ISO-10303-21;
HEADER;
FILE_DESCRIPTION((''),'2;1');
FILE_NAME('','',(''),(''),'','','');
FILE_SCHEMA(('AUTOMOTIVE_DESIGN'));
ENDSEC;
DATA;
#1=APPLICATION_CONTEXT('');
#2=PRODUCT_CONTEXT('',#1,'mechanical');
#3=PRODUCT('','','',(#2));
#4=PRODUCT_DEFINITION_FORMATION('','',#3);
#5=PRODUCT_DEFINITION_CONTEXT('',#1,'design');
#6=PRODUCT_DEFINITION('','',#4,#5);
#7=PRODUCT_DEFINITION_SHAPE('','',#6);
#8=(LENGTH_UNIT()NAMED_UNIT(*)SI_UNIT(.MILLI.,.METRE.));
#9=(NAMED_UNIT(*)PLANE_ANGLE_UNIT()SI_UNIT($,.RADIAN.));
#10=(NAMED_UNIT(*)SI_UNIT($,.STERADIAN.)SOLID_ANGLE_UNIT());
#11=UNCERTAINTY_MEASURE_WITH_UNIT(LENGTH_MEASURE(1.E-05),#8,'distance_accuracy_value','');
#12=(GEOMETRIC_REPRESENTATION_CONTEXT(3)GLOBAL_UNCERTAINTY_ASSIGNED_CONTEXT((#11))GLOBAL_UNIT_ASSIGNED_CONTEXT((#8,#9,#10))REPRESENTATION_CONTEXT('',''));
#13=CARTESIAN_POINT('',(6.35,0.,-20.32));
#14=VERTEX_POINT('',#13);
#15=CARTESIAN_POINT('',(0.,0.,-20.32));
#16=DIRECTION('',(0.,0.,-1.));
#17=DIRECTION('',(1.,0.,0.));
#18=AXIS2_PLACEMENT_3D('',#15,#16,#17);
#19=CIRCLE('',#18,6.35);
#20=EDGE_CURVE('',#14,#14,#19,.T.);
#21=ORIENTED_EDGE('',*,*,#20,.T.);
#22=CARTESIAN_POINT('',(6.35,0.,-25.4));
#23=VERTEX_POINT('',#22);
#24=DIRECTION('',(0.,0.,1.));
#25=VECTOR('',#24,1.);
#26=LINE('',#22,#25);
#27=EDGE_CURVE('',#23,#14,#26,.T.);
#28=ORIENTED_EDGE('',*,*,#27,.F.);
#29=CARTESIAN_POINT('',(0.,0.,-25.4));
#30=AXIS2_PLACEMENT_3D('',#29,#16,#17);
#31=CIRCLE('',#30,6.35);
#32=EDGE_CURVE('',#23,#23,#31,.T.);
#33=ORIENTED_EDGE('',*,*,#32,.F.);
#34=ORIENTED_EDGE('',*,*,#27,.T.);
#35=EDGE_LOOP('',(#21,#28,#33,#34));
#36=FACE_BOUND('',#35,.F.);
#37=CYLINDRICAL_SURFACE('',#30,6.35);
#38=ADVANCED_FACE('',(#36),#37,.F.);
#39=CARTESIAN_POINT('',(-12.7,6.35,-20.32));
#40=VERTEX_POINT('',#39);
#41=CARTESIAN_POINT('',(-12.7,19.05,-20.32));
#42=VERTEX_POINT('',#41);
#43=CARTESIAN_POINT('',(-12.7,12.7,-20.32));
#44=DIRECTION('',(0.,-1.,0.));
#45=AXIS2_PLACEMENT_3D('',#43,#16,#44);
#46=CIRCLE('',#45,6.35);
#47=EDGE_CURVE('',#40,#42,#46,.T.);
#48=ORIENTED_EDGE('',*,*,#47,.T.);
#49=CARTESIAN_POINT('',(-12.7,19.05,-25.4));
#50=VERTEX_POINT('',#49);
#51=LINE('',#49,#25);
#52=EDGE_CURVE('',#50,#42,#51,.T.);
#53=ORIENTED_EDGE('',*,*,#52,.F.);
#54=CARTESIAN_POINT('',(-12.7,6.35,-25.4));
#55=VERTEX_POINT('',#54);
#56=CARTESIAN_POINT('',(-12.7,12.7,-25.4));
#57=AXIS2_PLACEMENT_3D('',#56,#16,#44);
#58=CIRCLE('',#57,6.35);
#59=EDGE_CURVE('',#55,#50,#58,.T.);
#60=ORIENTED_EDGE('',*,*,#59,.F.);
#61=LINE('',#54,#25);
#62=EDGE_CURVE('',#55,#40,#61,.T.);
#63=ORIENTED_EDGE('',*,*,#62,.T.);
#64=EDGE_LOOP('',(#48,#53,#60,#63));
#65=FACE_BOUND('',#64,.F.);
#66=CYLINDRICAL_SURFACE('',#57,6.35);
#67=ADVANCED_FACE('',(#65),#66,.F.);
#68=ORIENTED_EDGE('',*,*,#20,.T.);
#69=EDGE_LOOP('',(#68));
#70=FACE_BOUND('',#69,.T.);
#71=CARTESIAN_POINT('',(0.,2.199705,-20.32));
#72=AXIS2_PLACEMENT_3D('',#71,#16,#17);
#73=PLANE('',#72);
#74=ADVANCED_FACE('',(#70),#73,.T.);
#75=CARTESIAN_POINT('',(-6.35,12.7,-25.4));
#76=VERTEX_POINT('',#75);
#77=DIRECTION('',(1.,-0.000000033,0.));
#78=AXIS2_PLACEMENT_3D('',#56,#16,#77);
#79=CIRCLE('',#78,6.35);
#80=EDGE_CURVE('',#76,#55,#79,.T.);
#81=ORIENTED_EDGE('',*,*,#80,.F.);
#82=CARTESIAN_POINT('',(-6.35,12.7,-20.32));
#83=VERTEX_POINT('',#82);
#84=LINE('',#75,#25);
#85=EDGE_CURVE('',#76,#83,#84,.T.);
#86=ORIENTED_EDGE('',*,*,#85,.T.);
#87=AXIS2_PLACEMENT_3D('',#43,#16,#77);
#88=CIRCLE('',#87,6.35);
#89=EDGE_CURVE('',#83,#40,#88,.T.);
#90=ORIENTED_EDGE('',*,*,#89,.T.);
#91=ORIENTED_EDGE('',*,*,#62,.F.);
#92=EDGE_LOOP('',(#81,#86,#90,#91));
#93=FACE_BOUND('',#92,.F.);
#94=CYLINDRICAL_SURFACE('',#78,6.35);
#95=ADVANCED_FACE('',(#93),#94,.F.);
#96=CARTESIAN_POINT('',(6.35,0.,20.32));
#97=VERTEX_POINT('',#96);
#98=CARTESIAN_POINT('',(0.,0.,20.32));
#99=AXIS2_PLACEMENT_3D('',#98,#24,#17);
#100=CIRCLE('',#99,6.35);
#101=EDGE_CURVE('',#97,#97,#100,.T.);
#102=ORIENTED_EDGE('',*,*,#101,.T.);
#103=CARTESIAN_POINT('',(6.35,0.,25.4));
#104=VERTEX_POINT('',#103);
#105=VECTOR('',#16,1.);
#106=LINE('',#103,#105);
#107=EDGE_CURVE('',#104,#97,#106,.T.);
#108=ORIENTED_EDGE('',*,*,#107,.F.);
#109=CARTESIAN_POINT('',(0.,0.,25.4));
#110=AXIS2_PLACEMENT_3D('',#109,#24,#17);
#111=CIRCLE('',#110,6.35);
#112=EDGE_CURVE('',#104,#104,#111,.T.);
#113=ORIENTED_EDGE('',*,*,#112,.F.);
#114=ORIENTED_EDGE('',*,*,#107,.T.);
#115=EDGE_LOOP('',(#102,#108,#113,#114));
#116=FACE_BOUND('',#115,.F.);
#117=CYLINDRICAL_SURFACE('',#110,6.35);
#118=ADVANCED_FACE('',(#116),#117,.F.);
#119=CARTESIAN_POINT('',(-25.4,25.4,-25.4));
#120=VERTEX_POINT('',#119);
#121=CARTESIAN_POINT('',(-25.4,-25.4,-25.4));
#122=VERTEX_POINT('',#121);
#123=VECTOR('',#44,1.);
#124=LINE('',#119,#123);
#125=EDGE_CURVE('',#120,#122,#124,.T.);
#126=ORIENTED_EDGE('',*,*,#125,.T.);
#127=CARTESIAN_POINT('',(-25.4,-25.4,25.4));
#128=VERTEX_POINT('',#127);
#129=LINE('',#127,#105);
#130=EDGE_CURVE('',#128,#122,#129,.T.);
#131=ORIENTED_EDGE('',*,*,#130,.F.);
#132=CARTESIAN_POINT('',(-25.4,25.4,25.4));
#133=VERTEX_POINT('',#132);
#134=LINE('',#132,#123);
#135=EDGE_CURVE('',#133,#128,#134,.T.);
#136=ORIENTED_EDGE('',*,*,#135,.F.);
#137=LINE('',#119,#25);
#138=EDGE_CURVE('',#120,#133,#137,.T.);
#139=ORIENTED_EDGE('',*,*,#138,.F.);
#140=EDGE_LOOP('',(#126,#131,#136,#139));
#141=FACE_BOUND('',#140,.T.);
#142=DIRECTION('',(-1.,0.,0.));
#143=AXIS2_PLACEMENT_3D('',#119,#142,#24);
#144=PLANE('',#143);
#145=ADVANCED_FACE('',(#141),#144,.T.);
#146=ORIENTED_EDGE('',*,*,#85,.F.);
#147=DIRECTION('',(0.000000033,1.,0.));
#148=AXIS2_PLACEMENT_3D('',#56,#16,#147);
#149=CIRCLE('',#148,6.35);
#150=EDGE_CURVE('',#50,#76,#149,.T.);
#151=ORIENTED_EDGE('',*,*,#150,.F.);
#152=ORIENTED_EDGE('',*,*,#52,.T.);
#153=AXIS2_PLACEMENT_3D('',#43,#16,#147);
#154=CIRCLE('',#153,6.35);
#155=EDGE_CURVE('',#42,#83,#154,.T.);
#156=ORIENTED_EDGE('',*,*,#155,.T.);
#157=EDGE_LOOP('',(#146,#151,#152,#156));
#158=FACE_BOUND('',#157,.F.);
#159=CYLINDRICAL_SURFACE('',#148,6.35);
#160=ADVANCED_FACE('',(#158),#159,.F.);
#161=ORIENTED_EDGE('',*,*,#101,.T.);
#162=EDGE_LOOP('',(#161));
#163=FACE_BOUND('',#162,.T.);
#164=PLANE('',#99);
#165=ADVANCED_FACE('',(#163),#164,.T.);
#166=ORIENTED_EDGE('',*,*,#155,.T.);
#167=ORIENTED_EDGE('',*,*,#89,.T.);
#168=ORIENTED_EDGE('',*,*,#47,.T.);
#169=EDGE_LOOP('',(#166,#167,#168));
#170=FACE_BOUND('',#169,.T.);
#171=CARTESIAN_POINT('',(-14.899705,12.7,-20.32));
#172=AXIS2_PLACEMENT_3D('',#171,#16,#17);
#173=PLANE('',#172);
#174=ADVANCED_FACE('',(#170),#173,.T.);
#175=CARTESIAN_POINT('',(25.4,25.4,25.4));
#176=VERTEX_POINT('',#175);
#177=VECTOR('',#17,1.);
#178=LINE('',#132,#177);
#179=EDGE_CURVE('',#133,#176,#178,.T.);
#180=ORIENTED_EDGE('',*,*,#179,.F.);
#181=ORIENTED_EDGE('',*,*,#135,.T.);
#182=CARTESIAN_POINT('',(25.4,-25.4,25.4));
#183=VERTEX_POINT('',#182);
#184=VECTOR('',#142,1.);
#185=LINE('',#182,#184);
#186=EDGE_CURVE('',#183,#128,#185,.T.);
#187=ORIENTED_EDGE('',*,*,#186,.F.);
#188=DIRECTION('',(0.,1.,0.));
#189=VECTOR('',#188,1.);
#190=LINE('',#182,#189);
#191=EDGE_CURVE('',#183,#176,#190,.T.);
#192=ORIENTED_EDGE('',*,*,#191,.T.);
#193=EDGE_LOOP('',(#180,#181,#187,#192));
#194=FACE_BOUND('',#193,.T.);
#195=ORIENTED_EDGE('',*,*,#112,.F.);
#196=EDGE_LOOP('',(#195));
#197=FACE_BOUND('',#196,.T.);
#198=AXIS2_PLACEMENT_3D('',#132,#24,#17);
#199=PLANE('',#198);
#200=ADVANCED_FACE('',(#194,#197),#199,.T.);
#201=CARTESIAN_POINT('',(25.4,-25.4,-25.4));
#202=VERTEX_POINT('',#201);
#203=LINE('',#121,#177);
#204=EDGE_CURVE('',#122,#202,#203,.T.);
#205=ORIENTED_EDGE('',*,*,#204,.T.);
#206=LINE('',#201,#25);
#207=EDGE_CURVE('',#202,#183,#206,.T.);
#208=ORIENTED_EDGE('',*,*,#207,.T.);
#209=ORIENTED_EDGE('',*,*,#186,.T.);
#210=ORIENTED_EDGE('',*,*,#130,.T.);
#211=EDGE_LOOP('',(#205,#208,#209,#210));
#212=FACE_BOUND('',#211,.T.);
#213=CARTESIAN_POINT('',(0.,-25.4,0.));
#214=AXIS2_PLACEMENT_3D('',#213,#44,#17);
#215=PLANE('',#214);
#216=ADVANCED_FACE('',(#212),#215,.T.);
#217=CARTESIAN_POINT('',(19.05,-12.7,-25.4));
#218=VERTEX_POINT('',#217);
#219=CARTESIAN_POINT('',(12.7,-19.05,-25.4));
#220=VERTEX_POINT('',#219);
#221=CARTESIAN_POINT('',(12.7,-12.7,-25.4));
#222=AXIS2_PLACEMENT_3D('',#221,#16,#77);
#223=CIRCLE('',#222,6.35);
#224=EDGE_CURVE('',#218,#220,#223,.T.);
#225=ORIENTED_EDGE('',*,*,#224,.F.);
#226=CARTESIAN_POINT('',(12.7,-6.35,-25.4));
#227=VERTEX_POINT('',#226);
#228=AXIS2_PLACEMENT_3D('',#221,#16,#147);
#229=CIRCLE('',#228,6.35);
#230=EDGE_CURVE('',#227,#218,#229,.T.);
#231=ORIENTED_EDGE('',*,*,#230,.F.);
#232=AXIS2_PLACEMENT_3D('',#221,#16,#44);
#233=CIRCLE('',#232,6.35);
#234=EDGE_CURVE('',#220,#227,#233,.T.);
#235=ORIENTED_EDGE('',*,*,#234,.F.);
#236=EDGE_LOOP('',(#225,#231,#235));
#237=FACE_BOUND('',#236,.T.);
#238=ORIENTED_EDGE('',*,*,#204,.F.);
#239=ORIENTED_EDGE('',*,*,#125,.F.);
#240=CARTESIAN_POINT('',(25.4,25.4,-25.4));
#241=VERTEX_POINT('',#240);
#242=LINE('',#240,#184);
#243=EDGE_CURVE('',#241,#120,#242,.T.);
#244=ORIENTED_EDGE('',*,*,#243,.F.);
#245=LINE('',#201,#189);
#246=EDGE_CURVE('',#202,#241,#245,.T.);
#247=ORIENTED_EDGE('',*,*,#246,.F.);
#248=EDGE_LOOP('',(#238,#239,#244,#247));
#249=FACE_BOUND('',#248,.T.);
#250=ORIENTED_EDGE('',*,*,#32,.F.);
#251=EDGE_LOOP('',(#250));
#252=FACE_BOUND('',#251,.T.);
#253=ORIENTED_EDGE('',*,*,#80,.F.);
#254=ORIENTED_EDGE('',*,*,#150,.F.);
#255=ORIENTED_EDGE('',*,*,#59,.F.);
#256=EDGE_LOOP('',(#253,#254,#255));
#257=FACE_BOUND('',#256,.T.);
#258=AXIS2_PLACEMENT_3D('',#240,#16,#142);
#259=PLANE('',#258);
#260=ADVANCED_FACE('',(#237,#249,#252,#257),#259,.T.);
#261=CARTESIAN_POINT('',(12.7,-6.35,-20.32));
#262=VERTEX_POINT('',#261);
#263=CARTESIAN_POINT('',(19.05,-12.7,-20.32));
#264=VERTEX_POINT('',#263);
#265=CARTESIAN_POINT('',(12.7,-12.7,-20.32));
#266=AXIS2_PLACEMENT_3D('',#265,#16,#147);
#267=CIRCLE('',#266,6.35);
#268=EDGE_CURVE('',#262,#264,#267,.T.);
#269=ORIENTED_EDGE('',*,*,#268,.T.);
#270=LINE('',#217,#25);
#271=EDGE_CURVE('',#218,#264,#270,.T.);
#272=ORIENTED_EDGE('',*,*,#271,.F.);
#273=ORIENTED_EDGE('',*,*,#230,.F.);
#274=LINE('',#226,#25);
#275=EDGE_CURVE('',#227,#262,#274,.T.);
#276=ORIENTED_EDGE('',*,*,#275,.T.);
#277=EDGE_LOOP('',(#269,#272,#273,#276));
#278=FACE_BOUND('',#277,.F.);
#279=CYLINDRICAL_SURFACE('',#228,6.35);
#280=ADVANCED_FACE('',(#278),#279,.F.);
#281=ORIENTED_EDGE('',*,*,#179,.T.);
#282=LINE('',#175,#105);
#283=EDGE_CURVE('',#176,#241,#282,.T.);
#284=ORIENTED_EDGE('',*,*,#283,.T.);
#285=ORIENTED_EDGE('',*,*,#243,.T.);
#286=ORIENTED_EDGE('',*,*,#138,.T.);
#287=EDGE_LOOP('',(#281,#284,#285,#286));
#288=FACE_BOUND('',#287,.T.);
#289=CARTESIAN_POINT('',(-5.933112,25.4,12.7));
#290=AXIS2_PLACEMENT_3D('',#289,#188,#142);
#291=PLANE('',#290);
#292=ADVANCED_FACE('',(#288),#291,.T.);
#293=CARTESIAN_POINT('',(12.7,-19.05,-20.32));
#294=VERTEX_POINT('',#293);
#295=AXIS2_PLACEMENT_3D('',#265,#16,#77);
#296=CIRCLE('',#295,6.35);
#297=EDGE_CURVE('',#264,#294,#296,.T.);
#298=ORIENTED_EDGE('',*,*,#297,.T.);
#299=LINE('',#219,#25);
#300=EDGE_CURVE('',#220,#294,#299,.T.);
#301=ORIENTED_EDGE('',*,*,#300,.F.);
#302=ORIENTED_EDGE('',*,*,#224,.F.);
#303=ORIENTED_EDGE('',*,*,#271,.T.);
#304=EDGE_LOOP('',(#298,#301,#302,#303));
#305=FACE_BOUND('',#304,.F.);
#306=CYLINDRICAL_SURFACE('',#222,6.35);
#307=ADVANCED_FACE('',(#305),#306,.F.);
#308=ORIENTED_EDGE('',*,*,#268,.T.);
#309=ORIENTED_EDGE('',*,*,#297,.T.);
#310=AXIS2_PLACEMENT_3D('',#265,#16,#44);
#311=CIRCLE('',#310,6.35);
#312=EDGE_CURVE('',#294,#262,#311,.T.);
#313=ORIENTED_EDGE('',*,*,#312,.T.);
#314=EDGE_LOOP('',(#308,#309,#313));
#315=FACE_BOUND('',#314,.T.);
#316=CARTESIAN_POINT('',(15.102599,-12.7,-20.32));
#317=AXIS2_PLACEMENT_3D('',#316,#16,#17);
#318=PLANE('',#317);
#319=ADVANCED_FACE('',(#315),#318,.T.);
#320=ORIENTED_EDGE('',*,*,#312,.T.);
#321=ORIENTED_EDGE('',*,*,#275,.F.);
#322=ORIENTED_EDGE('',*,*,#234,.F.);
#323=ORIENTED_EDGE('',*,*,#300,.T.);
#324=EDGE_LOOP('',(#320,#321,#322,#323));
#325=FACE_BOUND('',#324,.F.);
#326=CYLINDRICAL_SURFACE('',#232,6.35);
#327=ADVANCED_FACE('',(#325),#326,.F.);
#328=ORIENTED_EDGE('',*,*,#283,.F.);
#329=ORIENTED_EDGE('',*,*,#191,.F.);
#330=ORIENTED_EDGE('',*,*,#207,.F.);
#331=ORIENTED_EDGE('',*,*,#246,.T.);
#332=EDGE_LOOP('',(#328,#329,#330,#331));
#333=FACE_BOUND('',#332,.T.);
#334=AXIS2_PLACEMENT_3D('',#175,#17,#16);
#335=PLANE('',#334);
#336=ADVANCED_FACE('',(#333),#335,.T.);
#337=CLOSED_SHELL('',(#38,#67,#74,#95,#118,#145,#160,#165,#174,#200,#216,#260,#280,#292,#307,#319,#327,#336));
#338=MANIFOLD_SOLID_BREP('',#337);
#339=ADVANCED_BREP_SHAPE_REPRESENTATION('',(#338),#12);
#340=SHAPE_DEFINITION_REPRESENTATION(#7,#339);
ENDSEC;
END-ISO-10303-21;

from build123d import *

# Parameters (mm, degrees)
F1_DEPTH  = 25.4
F1_FACE_W = 50.8
F1_FACE_H = 50.8
F2_DEPTH  = 25.4
F3_R      = 6.35
F4_DEPTH  = 5.08
F6_DEPTH  = 5.08
F8_DEPTH  = 5.08
F9_DEPTH  = 6.35


with BuildPart() as f1:
    # F0 (on Front) → F1 (new body)
    with BuildSketch(Plane.XZ):
        Polygon((-25.4, 25.4), (-25.4, 0), (-25.4, -25.4), (25.4, -25.4), (25.4, 25.4), align=None)
    extrude(amount=F1_DEPTH)

    # F1_face (on face) → F2 (join)
    with BuildSketch(Plane(origin=(0, 0, 0), x_dir=(1, 0, 0), z_dir=(0, 1, 0))):
        Rectangle(F1_FACE_W, F1_FACE_H)
    extrude(amount=F2_DEPTH)

    # F3 (on face) → F4 (cut)
    with BuildSketch(Plane.XY.offset(25.4)):
        Circle(F3_R)
    extrude(amount=-F4_DEPTH, mode=Mode.SUBTRACT)

    # F5 (on face) → F6 (cut)
    with BuildSketch(Plane(origin=(0, 25.4, 0), x_dir=(-1, 0, 0), z_dir=(0, 1, 0))):
        with BuildLine():
            Line((-12.7, 0), (0, 0))
            Line((0, 0), (12.7, 0))
            Line((12.7, 0), (25.4, 0))
            Line((25.4, 0), (25.4, 25.4))
            Line((25.4, 25.4), (-12.7, 25.4))
            Line((-12.7, 25.4), (-12.7, 19.05))
            ThreePointArc((-12.7, 19.05), (-8.209872, 17.190128), (-6.35, 12.7))
            ThreePointArc((-6.35, 12.7), (-8.209872, 8.209872), (-12.7, 6.35))
            Line((-12.7, 6.35), (-12.7, 0))
        make_face()
        with BuildLine():
            Line((-25.4, 0), (-12.7, 0))
            Line((-12.7, 0), (-12.7, 6.35))
            ThreePointArc((-12.7, 6.35), (-19.05, 12.7), (-12.7, 19.05))
            Line((-12.7, 19.05), (-12.7, 25.4))
            Line((-12.7, 25.4), (-25.4, 25.4))
            Line((-25.4, 25.4), (-25.4, 0))
        make_face()
        with BuildLine():
            Line((25.4, 0), (12.7, 0))
            Line((12.7, 0), (12.7, -6.23736))
            ThreePointArc((12.7, -6.23736), (17.269776, -8.130224), (19.16264, -12.7))
            ThreePointArc((19.16264, -12.7), (17.269776, -17.269776), (12.7, -19.16264))
            Line((12.7, -19.16264), (12.7, -25.4))
            Line((12.7, -25.4), (25.4, -25.4))
            Line((25.4, -25.4), (25.4, 0))
        make_face()
        with BuildLine():
            Line((12.7, 0), (0, 0))
            Line((0, 0), (-12.7, 0))
            Line((-12.7, 0), (-25.4, 0))
            Line((-25.4, 0), (-25.4, -25.4))
            Line((-25.4, -25.4), (12.7, -25.4))
            Line((12.7, -25.4), (12.7, -19.16264))
            ThreePointArc((12.7, -19.16264), (6.23736, -12.7), (12.7, -6.23736))
            Line((12.7, -6.23736), (12.7, 0))
        make_face()
    extrude(amount=-F6_DEPTH, mode=Mode.SUBTRACT)

    # F7 (on face) → F8 (cut)
    with BuildSketch(Plane(origin=(0, 0, -25.4), x_dir=(1, 0, 0), z_dir=(0, 0, -1))):
        with BuildLine():
            Line((-12.7, -12.7), (-12.7, -6.35))
            ThreePointArc((-12.7, -6.35), (-19.05, -12.7), (-12.7, -19.05))
            Line((-12.7, -19.05), (-12.7, -12.7))
        make_face()
        with BuildLine():
            ThreePointArc((-6.35, -12.7), (-8.209872, -8.209872), (-12.7, -6.35))
            Line((-12.7, -6.35), (-12.7, -12.7))
            Line((-12.7, -12.7), (-12.7, -19.05))
            ThreePointArc((-12.7, -19.05), (-8.209872, -17.190128), (-6.35, -12.7))
        make_face()
        with BuildLine():
            Line((6.35, 0), (0, 0))
            Line((0, 0), (-6.35, 0))
            ThreePointArc((-6.35, 0), (0, -6.35), (6.35, 0))
        make_face()
        with BuildLine():
            Line((-6.35, 0), (0, 0))
            Line((0, 0), (6.35, 0))
            ThreePointArc((6.35, 0), (0, 6.35), (-6.35, 0))
        make_face()
        with BuildLine():
            Line((12.7, 12.7), (12.7, 6.35))
            ThreePointArc((12.7, 6.35), (17.190128, 8.209872), (19.05, 12.7))
            ThreePointArc((19.05, 12.7), (17.190128, 17.190128), (12.7, 19.05))
            Line((12.7, 19.05), (12.7, 12.7))
        make_face()
        with BuildLine():
            ThreePointArc((12.7, 19.05), (6.35, 12.7), (12.7, 6.35))
            Line((12.7, 6.35), (12.7, 12.7))
            Line((12.7, 12.7), (12.7, 19.05))
        make_face()
    extrude(amount=-F8_DEPTH, mode=Mode.SUBTRACT)

    # F5 (on face) → F9 (join)
    with BuildSketch(Plane(origin=(0, 25.4, 0), x_dir=(-1, 0, 0), z_dir=(0, 1, 0))):
        with BuildLine():
            Line((-12.7, 0), (0, 0))
            Line((0, 0), (12.7, 0))
            Line((12.7, 0), (25.4, 0))
            Line((25.4, 0), (25.4, 25.4))
            Line((25.4, 25.4), (-12.7, 25.4))
            Line((-12.7, 25.4), (-12.7, 19.05))
            ThreePointArc((-12.7, 19.05), (-8.209872, 17.190128), (-6.35, 12.7))
            ThreePointArc((-6.35, 12.7), (-8.209872, 8.209872), (-12.7, 6.35))
            Line((-12.7, 6.35), (-12.7, 0))
        make_face()
        with BuildLine():
            Line((12.7, 0), (0, 0))
            Line((0, 0), (-12.7, 0))
            Line((-12.7, 0), (-25.4, 0))
            Line((-25.4, 0), (-25.4, -25.4))
            Line((-25.4, -25.4), (12.7, -25.4))
            Line((12.7, -25.4), (12.7, -19.16264))
            ThreePointArc((12.7, -19.16264), (6.23736, -12.7), (12.7, -6.23736))
            Line((12.7, -6.23736), (12.7, 0))
        make_face()
        with BuildLine():
            Line((25.4, 0), (12.7, 0))
            Line((12.7, 0), (12.7, -6.23736))
            ThreePointArc((12.7, -6.23736), (17.269776, -8.130224), (19.16264, -12.7))
            ThreePointArc((19.16264, -12.7), (17.269776, -17.269776), (12.7, -19.16264))
            Line((12.7, -19.16264), (12.7, -25.4))
            Line((12.7, -25.4), (25.4, -25.4))
            Line((25.4, -25.4), (25.4, 0))
        make_face()
        with BuildLine():
            Line((-25.4, 0), (-12.7, 0))
            Line((-12.7, 0), (-12.7, 6.35))
            ThreePointArc((-12.7, 6.35), (-19.05, 12.7), (-12.7, 19.05))
            Line((-12.7, 19.05), (-12.7, 25.4))
            Line((-12.7, 25.4), (-25.4, 25.4))
            Line((-25.4, 25.4), (-25.4, 0))
        make_face()
    extrude(amount=-F9_DEPTH)


solid = f1.part
